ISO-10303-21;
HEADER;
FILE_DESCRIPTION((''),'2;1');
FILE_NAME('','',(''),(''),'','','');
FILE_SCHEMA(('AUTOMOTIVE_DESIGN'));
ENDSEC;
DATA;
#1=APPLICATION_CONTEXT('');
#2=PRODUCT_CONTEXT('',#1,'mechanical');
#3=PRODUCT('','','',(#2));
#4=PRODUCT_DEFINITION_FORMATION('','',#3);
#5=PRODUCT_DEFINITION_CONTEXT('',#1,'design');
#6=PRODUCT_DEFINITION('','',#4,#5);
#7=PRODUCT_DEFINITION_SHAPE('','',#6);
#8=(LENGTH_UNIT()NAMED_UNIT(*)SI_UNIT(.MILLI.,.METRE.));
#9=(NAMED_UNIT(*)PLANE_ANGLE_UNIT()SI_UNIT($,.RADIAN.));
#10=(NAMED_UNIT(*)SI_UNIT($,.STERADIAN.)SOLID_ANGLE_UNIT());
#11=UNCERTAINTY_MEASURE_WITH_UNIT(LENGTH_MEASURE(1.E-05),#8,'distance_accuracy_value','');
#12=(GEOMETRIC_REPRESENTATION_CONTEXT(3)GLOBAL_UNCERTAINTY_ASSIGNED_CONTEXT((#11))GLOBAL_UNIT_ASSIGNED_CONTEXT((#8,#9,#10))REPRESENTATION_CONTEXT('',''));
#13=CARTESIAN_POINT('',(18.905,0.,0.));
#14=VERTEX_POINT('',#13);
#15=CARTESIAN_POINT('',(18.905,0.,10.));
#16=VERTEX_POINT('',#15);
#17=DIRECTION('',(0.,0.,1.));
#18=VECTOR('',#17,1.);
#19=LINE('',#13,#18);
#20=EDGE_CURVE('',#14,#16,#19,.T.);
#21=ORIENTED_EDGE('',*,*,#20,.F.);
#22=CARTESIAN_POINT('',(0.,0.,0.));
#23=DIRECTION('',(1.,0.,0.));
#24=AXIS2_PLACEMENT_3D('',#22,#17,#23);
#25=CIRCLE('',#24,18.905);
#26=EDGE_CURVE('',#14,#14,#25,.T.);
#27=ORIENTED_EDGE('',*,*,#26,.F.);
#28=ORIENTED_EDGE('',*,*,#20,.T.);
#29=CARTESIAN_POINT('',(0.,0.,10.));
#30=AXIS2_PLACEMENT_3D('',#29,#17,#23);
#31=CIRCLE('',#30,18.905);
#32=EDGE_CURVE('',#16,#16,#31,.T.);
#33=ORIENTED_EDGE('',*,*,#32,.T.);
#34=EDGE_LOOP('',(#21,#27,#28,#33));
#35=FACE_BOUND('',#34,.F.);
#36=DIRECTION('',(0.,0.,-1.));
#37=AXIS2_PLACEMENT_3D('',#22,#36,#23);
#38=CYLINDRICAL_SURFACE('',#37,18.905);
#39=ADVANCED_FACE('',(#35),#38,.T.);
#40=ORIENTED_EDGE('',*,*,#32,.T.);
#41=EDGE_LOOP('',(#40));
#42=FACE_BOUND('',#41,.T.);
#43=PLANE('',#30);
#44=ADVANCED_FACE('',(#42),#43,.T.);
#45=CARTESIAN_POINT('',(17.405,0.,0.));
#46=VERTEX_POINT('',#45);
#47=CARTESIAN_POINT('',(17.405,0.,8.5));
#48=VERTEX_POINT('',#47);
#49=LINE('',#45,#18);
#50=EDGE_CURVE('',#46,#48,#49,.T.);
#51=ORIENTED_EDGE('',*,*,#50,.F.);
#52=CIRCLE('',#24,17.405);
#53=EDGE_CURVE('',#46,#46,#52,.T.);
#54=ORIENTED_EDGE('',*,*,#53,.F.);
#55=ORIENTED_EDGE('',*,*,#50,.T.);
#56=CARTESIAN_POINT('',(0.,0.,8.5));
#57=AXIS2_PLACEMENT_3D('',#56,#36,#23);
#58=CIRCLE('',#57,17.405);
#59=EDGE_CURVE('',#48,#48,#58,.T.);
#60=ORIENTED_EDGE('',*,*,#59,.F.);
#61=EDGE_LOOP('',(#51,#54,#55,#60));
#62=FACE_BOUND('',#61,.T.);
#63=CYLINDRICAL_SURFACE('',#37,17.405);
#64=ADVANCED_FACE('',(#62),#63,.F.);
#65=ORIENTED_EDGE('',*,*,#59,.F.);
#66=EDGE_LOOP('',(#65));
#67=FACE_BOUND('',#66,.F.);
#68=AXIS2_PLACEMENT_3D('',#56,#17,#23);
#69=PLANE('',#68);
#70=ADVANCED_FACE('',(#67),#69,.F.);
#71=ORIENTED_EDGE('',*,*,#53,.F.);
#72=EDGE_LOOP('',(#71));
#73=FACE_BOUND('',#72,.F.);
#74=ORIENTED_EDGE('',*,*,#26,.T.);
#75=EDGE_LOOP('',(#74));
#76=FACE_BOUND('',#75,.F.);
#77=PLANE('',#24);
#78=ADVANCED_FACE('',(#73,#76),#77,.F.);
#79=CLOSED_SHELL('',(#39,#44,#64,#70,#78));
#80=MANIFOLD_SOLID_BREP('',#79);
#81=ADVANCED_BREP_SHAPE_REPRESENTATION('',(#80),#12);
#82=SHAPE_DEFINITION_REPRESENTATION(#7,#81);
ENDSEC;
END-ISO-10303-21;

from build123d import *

# Parameters (mm, degrees)
F0_R     = 18.905
F0_R_2   = 17.405
F1_DEPTH = 10
F2_R     = 18.905
F3_DEPTH = 1.5


with BuildPart() as f1:
    # F0 (on Top) → F1 (new body)
    with BuildSketch(Plane.XY):
        Circle(F0_R)
        Circle(F0_R_2, mode=Mode.SUBTRACT)
    extrude(amount=F1_DEPTH)

    # F2 (on face) → F3 (join)
    with BuildSketch(Plane.XY.offset(10)):
        Circle(F2_R)
    extrude(amount=-F3_DEPTH)


solid = f1.part
